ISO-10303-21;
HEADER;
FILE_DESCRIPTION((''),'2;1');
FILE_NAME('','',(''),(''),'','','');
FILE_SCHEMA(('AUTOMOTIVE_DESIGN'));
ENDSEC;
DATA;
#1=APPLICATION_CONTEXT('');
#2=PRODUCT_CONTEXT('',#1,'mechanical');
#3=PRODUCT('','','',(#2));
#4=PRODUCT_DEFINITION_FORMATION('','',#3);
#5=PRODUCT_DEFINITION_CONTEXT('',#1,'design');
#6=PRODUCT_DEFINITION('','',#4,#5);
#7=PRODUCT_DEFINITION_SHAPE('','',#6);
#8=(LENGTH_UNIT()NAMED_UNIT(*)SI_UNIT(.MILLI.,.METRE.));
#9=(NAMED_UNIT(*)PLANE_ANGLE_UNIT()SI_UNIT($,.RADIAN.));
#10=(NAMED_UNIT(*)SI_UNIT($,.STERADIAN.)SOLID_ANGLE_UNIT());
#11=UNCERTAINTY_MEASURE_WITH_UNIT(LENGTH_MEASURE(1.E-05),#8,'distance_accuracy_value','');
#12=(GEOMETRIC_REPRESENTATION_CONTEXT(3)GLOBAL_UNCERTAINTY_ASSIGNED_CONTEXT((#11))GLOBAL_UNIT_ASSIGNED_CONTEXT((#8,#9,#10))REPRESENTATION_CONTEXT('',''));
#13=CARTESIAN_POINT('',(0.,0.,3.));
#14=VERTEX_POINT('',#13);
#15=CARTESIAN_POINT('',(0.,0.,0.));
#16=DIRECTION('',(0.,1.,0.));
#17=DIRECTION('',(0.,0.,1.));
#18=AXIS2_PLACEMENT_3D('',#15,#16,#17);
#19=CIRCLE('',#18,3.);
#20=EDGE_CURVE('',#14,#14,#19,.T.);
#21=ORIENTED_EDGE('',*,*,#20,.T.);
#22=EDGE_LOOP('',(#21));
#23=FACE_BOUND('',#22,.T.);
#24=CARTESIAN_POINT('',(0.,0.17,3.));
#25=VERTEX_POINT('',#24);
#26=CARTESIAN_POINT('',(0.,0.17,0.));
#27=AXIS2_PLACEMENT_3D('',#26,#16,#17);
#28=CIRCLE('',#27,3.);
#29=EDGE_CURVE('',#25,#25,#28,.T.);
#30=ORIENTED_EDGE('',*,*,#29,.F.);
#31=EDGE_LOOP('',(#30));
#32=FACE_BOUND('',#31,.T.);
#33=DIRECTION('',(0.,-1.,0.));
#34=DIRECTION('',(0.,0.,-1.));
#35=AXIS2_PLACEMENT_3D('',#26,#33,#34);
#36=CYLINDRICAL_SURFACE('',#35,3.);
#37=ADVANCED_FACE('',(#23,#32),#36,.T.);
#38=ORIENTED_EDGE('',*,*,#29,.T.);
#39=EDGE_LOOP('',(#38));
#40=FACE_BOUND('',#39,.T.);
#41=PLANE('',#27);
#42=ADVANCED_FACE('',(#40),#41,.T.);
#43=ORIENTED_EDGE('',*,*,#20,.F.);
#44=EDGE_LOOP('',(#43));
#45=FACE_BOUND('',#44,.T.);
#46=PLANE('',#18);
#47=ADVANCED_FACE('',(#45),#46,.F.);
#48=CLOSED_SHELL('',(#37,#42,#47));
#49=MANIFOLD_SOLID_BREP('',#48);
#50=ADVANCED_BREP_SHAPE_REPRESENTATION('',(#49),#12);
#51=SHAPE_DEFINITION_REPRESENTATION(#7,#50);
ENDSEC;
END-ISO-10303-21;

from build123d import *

# Parameters (mm, degrees)
SKETCH1_R           = 3
BOSS_EXTRUDE1_DEPTH = 0.17


with BuildPart() as part:
    # Sketch1 → Boss-Extrude1 (new body)
    with BuildSketch(Plane(origin=(0, 0, 0), x_dir=(1, 0, 0), z_dir=(0, 1, 0))):
        with Locations(Location((0, 0, 0), (0, 0, 270))):
            Circle(SKETCH1_R)
    extrude(amount=BOSS_EXTRUDE1_DEPTH)


solid = part.part
